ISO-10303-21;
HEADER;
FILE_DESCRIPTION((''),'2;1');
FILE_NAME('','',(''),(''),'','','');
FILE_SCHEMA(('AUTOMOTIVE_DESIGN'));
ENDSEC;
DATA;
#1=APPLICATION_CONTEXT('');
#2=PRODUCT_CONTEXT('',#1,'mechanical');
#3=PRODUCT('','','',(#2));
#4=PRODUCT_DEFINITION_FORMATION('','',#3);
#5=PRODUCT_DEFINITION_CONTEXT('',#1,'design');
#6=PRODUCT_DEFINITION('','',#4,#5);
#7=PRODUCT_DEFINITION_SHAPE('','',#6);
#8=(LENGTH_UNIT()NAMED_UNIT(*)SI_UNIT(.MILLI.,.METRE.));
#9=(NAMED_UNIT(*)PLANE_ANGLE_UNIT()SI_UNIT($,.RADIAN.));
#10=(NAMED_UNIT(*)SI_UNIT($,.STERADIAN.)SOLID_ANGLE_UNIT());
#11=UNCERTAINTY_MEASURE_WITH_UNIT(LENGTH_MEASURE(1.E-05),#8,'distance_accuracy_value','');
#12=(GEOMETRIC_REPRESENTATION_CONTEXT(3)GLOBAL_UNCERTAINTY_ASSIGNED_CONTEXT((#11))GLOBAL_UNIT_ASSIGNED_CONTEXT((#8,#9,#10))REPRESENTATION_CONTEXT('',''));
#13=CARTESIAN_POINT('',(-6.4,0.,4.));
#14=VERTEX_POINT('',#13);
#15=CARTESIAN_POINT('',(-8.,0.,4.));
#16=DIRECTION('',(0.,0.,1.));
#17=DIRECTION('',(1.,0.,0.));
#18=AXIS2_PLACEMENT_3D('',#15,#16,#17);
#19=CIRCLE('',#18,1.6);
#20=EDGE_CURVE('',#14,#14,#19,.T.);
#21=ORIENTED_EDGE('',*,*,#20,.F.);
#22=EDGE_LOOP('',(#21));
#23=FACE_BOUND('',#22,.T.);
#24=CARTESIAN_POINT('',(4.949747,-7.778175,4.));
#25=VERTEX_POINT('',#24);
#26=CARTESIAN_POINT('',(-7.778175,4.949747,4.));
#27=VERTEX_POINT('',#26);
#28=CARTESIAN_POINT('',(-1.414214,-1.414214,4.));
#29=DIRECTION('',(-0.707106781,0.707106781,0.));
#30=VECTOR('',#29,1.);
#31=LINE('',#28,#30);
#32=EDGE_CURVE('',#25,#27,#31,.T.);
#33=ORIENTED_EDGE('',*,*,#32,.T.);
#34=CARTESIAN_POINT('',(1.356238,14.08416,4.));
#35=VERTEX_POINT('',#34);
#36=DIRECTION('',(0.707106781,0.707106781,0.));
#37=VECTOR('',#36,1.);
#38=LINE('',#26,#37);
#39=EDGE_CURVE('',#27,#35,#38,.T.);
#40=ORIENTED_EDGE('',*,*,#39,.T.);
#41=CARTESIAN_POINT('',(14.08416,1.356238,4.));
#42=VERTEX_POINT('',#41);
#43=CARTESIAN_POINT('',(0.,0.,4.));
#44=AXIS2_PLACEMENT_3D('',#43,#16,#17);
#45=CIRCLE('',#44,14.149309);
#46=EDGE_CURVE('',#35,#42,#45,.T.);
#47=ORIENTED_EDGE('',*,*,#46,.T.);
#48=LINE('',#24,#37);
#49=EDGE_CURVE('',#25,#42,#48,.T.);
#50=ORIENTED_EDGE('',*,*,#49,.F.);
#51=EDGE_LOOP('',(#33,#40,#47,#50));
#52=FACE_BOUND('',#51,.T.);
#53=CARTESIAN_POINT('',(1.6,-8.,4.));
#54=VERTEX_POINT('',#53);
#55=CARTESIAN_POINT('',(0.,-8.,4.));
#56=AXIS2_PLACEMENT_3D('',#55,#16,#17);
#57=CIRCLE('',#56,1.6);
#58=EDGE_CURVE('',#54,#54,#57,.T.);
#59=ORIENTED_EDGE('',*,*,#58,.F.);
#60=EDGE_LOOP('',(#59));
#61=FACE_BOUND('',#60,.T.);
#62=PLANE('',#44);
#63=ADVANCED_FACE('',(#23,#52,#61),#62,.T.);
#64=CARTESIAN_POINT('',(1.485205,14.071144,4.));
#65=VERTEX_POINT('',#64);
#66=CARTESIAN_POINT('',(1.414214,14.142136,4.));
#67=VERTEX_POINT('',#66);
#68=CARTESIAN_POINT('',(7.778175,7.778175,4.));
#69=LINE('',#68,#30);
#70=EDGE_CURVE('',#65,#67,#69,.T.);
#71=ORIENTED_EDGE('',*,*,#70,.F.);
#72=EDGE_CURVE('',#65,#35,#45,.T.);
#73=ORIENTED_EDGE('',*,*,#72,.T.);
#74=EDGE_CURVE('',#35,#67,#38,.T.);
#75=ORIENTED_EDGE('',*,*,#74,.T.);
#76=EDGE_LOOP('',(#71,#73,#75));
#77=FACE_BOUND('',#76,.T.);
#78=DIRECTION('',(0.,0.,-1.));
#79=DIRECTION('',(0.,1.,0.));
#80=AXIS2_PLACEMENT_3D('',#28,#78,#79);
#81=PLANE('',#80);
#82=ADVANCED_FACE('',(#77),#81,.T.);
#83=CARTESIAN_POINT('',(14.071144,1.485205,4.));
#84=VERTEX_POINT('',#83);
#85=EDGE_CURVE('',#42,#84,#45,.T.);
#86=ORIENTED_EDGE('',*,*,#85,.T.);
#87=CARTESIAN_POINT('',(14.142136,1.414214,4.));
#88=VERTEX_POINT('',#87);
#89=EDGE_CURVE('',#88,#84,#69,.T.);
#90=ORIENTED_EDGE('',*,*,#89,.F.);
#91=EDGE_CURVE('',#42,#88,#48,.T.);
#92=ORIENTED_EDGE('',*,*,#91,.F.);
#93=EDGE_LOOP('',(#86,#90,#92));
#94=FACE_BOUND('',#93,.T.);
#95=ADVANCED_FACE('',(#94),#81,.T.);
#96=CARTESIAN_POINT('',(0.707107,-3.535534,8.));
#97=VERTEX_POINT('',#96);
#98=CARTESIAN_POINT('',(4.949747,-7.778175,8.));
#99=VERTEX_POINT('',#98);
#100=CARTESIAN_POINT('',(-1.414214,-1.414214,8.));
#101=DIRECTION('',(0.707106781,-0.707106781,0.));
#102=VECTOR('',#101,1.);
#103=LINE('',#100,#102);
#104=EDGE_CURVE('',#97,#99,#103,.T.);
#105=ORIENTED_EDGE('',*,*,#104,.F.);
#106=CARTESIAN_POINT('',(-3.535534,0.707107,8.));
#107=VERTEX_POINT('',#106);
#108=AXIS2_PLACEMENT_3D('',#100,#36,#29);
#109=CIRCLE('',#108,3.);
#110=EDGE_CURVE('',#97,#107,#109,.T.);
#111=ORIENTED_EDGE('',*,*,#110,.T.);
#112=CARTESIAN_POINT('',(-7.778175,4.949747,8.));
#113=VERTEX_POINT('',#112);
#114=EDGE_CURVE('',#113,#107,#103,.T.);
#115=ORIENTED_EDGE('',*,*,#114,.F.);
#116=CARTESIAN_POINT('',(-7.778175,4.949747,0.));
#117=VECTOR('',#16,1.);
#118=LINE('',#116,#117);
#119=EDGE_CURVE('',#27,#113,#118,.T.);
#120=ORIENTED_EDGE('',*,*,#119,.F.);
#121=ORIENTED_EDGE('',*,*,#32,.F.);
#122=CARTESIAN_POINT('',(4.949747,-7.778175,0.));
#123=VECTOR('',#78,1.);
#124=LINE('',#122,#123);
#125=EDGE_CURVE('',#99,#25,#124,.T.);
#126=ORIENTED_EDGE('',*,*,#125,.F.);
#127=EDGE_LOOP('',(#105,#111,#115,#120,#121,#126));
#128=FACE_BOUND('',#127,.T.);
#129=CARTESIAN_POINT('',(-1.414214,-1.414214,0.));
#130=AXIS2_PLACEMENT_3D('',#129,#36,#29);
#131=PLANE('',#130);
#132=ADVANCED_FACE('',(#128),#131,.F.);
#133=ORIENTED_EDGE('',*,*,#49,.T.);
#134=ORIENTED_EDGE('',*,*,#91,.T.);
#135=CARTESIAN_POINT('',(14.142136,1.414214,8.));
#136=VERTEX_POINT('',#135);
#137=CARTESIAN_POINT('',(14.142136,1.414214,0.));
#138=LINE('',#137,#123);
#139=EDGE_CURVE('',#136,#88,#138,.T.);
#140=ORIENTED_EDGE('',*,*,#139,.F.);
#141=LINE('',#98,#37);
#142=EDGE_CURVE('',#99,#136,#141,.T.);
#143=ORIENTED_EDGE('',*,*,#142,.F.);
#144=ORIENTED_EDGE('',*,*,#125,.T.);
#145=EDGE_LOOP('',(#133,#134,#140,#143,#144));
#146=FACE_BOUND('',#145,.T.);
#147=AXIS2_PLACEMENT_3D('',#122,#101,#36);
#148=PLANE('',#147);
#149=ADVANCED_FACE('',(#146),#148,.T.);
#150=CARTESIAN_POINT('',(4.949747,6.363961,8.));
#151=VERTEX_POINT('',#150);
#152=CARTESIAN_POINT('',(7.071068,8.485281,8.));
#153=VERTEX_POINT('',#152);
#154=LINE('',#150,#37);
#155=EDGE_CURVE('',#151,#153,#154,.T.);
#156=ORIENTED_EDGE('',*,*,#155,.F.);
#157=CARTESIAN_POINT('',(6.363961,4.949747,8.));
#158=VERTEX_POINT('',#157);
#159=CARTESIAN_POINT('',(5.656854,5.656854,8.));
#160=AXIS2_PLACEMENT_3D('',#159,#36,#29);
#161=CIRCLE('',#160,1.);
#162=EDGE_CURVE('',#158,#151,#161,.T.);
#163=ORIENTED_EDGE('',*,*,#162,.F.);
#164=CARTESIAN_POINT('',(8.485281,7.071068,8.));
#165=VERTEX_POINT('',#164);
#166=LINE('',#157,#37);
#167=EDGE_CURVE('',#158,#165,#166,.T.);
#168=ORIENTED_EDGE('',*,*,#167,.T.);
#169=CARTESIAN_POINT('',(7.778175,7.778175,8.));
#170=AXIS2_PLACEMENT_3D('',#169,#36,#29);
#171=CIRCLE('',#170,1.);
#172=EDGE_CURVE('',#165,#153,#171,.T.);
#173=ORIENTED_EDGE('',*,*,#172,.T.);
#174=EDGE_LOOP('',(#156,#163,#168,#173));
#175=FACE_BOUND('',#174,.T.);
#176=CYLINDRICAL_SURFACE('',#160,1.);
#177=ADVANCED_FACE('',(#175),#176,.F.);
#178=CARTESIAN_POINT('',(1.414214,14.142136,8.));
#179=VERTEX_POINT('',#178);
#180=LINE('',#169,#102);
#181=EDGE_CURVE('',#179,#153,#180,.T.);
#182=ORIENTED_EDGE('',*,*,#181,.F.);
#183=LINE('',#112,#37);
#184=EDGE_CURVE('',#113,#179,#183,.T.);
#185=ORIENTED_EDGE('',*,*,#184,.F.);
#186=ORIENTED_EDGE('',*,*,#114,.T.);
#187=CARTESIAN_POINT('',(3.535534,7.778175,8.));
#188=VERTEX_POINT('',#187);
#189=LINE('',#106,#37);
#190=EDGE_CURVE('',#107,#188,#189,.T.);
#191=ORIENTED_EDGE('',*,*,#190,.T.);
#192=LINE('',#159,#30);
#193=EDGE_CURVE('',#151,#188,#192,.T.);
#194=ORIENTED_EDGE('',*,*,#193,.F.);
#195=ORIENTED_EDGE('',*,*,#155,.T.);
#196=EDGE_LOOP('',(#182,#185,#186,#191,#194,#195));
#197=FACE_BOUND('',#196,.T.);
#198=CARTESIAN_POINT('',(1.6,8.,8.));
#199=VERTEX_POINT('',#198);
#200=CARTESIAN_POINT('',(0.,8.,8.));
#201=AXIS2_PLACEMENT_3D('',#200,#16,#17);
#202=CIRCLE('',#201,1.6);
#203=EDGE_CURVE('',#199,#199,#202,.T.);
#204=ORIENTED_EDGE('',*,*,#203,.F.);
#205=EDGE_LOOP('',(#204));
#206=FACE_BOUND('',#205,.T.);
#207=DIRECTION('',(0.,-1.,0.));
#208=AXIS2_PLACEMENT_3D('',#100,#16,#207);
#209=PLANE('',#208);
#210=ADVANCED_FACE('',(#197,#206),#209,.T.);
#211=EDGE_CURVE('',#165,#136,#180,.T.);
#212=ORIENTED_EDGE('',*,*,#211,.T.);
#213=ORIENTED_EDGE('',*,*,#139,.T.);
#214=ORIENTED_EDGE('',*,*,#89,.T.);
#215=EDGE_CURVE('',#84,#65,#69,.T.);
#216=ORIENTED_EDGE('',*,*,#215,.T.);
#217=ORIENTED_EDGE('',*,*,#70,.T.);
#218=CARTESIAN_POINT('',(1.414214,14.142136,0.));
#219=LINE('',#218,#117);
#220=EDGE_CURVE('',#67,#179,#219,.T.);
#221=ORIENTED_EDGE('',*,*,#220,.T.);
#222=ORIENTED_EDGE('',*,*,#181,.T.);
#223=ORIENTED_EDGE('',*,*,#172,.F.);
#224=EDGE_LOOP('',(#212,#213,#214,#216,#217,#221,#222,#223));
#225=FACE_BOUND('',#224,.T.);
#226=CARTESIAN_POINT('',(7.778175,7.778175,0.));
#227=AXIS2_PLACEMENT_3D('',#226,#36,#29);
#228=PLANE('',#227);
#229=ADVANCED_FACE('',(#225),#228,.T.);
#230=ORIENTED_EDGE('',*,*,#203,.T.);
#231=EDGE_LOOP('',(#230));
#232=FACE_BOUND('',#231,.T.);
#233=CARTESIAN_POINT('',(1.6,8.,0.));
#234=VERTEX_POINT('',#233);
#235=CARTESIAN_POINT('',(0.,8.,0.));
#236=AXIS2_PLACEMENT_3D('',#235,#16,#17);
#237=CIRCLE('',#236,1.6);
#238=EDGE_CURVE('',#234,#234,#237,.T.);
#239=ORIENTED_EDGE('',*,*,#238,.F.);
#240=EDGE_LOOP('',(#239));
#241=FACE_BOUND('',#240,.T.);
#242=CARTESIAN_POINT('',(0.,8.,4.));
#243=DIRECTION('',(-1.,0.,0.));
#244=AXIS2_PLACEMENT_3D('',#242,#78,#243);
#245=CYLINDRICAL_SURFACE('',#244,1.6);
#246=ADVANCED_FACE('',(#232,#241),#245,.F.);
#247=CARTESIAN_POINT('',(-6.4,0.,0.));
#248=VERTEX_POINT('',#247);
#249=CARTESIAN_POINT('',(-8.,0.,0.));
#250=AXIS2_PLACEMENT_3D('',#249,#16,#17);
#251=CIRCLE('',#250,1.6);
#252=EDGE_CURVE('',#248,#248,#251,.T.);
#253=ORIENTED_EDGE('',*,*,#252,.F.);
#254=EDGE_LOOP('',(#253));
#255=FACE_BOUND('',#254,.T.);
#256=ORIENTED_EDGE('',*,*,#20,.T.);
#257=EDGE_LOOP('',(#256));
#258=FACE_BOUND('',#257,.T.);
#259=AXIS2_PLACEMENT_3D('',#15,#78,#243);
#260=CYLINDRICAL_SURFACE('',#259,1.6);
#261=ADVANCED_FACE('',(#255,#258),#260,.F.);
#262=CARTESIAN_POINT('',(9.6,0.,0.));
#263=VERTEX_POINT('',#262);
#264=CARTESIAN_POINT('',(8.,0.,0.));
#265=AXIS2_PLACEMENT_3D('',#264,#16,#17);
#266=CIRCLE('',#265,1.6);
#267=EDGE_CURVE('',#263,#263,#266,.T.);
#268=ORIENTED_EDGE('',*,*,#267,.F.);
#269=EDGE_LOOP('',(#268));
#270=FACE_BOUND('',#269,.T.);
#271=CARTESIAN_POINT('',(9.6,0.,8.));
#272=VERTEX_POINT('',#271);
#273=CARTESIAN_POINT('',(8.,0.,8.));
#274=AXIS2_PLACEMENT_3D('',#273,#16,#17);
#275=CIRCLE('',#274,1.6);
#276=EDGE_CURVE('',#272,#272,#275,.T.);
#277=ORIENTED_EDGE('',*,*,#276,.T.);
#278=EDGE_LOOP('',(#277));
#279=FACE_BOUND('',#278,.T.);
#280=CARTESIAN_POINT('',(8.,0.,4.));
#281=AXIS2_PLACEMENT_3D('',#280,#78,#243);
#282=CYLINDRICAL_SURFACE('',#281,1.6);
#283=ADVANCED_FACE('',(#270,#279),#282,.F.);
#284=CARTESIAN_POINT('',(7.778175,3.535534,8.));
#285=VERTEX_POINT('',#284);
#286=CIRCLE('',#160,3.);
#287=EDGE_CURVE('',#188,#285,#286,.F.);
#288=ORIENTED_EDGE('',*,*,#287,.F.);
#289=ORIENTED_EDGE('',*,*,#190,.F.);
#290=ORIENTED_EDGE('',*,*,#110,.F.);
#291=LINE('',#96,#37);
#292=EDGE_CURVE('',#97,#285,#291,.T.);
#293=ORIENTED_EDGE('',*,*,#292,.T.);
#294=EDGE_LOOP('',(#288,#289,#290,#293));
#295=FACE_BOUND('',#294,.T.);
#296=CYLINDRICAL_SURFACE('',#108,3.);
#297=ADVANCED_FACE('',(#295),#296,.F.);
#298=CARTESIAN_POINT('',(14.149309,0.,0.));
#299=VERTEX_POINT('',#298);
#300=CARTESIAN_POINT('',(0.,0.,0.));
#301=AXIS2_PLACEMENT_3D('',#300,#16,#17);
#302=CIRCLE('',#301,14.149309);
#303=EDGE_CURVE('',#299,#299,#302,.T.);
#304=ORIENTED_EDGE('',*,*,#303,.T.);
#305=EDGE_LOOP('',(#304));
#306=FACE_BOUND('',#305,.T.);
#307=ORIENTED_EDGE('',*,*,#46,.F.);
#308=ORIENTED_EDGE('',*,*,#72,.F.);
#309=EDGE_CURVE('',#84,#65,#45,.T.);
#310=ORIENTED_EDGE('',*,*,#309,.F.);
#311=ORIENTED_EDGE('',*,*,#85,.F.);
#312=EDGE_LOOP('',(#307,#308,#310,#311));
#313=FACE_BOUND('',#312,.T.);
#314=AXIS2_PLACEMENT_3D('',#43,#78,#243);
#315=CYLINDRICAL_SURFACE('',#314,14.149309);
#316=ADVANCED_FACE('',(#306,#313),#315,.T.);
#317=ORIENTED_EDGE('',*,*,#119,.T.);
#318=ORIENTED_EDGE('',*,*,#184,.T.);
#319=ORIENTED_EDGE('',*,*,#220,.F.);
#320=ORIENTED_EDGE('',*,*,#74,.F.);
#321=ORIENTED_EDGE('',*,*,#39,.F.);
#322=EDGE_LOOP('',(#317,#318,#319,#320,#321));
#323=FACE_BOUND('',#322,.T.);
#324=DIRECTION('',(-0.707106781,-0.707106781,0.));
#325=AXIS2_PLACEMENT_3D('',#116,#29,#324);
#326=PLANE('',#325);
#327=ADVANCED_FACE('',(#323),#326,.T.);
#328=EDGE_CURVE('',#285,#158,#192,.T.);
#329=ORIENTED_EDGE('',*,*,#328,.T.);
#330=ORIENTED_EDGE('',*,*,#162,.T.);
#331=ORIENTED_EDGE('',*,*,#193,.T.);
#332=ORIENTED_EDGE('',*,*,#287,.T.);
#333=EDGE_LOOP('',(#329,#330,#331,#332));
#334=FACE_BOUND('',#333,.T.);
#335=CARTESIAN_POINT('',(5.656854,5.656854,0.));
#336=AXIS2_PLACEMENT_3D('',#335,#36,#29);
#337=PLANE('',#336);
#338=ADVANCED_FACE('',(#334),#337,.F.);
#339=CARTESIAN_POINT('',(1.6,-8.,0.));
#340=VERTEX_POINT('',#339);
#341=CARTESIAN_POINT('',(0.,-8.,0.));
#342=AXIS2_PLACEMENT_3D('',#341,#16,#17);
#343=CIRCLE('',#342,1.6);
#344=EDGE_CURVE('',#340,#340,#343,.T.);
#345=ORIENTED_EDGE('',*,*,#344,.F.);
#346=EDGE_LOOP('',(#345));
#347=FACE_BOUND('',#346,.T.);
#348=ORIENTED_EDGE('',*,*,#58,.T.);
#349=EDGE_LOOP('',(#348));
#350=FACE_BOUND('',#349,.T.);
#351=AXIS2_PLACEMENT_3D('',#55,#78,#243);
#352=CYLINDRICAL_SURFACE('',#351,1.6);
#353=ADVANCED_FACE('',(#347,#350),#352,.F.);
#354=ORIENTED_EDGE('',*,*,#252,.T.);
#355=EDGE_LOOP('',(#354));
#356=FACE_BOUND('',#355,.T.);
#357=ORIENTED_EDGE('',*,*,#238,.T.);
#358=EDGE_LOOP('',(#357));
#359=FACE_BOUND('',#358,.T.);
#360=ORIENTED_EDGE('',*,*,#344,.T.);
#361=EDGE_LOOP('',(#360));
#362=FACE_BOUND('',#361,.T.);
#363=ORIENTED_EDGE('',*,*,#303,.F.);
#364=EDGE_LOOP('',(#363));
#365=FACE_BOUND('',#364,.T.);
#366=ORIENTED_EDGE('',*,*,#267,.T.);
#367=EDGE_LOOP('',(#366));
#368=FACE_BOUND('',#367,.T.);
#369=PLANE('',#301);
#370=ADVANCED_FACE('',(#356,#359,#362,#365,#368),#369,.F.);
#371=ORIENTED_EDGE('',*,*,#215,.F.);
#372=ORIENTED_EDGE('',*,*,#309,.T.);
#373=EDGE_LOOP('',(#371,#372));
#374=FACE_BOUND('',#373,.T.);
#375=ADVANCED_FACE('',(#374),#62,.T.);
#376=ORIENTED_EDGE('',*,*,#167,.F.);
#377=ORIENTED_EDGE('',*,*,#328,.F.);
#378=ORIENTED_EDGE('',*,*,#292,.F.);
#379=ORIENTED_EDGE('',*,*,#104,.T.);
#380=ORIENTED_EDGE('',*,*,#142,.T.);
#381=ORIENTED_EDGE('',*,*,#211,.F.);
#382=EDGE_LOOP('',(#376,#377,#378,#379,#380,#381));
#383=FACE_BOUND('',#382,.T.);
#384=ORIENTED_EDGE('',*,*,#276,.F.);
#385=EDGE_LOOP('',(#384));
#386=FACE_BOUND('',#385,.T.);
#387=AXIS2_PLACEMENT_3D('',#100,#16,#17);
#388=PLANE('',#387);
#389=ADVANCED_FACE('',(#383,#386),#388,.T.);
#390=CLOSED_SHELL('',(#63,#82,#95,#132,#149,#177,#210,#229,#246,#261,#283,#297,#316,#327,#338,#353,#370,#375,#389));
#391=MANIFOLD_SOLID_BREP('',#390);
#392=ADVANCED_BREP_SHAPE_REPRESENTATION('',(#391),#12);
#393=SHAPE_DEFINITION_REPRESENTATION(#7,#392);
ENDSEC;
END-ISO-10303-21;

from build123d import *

# Parameters (mm, degrees)
SKETCH_1_R           = 14.149308539
SKETCH_1_R_2         = 1.6
EXTRUDE_1_DEPTH      = 4
EXTRUDE_2_DEPTH      = 11
EXTRUDE_2_DEPTH_BACK = 2
CUT_EXTRUDE_START    = -10
SKETCH_4_R           = 1.6
CUT_EXTRUDE_1_DEPTH  = 10
EXTRUDE_START        = -3
EXTRUDE_3_DEPTH      = 3


with BuildPart() as part:
    # 草图1 → 凸台-拉伸1 (new body)
    with BuildSketch(Plane.XY):
        Circle(SKETCH_1_R)
        with Locations((0, -8)):
            Circle(SKETCH_1_R_2, mode=Mode.SUBTRACT)
        with Locations((8, 0)):
            Circle(SKETCH_1_R_2, mode=Mode.SUBTRACT)
        with Locations((0, 8)):
            Circle(SKETCH_1_R_2, mode=Mode.SUBTRACT)
        with Locations((-8, 0)):
            Circle(SKETCH_1_R_2, mode=Mode.SUBTRACT)
    extrude(amount=EXTRUDE_1_DEPTH)

    # 草图3 → 凸台-拉伸2 (add, two sides: drawn at the far end of the back side and taken through both)
    with BuildSketch(Plane(origin=(0, 0, 0), x_dir=(0, 0, -1), z_dir=(0.7071067811865488, 0.7071067811865464, 0)).offset(-EXTRUDE_2_DEPTH_BACK)):
        with BuildLine():
            Line((-8, 9), (-8, 3))
            ThreePointArc((-8, 3), (-5.878679656, 2.121320344), (-5, 0))
            ThreePointArc((-5, 0), (-5.878679656, -2.121320344), (-8, -3))
            Line((-8, -3), (-8, -9))
            Line((-8, -9), (-4, -9))
            Line((-4, -9), (-4, 9))
            Line((-4, 9), (-8, 9))
        make_face()
    extrude(amount=EXTRUDE_2_DEPTH + EXTRUDE_2_DEPTH_BACK)

    # 草图4 → 切除-拉伸1 (cut)
    with BuildSketch(Plane.XY.offset(8).offset(CUT_EXTRUDE_START)):
        with Locations((8, 0)):
            Circle(SKETCH_4_R)
        with Locations((0, 8)):
            Circle(SKETCH_4_R)
    extrude(amount=CUT_EXTRUDE_1_DEPTH, mode=Mode.SUBTRACT)

    # 草图5 → 凸台-拉伸3 (add)
    with BuildSketch(Plane(origin=(7.778174593, 7.778174593, 0), x_dir=(0, 0, -1), z_dir=(0.7071067811865486, 0.7071067811865465, 0)).offset(EXTRUDE_START)):
        with BuildLine():
            Line((-8, -1), (-8, -3))
            ThreePointArc((-8, -3), (-5.878679656, -2.121320344), (-5, 0))
            ThreePointArc((-5, 0), (-5.878679656, 2.121320344), (-8, 3))
            Line((-8, 3), (-8, 1))
            ThreePointArc((-8, 1), (-7.292893219, 0.707106781), (-7, 0))
            ThreePointArc((-7, 0), (-7.292893219, -0.707106781), (-8, -1))
        make_face()
    extrude(amount=EXTRUDE_3_DEPTH)


solid = part.part
